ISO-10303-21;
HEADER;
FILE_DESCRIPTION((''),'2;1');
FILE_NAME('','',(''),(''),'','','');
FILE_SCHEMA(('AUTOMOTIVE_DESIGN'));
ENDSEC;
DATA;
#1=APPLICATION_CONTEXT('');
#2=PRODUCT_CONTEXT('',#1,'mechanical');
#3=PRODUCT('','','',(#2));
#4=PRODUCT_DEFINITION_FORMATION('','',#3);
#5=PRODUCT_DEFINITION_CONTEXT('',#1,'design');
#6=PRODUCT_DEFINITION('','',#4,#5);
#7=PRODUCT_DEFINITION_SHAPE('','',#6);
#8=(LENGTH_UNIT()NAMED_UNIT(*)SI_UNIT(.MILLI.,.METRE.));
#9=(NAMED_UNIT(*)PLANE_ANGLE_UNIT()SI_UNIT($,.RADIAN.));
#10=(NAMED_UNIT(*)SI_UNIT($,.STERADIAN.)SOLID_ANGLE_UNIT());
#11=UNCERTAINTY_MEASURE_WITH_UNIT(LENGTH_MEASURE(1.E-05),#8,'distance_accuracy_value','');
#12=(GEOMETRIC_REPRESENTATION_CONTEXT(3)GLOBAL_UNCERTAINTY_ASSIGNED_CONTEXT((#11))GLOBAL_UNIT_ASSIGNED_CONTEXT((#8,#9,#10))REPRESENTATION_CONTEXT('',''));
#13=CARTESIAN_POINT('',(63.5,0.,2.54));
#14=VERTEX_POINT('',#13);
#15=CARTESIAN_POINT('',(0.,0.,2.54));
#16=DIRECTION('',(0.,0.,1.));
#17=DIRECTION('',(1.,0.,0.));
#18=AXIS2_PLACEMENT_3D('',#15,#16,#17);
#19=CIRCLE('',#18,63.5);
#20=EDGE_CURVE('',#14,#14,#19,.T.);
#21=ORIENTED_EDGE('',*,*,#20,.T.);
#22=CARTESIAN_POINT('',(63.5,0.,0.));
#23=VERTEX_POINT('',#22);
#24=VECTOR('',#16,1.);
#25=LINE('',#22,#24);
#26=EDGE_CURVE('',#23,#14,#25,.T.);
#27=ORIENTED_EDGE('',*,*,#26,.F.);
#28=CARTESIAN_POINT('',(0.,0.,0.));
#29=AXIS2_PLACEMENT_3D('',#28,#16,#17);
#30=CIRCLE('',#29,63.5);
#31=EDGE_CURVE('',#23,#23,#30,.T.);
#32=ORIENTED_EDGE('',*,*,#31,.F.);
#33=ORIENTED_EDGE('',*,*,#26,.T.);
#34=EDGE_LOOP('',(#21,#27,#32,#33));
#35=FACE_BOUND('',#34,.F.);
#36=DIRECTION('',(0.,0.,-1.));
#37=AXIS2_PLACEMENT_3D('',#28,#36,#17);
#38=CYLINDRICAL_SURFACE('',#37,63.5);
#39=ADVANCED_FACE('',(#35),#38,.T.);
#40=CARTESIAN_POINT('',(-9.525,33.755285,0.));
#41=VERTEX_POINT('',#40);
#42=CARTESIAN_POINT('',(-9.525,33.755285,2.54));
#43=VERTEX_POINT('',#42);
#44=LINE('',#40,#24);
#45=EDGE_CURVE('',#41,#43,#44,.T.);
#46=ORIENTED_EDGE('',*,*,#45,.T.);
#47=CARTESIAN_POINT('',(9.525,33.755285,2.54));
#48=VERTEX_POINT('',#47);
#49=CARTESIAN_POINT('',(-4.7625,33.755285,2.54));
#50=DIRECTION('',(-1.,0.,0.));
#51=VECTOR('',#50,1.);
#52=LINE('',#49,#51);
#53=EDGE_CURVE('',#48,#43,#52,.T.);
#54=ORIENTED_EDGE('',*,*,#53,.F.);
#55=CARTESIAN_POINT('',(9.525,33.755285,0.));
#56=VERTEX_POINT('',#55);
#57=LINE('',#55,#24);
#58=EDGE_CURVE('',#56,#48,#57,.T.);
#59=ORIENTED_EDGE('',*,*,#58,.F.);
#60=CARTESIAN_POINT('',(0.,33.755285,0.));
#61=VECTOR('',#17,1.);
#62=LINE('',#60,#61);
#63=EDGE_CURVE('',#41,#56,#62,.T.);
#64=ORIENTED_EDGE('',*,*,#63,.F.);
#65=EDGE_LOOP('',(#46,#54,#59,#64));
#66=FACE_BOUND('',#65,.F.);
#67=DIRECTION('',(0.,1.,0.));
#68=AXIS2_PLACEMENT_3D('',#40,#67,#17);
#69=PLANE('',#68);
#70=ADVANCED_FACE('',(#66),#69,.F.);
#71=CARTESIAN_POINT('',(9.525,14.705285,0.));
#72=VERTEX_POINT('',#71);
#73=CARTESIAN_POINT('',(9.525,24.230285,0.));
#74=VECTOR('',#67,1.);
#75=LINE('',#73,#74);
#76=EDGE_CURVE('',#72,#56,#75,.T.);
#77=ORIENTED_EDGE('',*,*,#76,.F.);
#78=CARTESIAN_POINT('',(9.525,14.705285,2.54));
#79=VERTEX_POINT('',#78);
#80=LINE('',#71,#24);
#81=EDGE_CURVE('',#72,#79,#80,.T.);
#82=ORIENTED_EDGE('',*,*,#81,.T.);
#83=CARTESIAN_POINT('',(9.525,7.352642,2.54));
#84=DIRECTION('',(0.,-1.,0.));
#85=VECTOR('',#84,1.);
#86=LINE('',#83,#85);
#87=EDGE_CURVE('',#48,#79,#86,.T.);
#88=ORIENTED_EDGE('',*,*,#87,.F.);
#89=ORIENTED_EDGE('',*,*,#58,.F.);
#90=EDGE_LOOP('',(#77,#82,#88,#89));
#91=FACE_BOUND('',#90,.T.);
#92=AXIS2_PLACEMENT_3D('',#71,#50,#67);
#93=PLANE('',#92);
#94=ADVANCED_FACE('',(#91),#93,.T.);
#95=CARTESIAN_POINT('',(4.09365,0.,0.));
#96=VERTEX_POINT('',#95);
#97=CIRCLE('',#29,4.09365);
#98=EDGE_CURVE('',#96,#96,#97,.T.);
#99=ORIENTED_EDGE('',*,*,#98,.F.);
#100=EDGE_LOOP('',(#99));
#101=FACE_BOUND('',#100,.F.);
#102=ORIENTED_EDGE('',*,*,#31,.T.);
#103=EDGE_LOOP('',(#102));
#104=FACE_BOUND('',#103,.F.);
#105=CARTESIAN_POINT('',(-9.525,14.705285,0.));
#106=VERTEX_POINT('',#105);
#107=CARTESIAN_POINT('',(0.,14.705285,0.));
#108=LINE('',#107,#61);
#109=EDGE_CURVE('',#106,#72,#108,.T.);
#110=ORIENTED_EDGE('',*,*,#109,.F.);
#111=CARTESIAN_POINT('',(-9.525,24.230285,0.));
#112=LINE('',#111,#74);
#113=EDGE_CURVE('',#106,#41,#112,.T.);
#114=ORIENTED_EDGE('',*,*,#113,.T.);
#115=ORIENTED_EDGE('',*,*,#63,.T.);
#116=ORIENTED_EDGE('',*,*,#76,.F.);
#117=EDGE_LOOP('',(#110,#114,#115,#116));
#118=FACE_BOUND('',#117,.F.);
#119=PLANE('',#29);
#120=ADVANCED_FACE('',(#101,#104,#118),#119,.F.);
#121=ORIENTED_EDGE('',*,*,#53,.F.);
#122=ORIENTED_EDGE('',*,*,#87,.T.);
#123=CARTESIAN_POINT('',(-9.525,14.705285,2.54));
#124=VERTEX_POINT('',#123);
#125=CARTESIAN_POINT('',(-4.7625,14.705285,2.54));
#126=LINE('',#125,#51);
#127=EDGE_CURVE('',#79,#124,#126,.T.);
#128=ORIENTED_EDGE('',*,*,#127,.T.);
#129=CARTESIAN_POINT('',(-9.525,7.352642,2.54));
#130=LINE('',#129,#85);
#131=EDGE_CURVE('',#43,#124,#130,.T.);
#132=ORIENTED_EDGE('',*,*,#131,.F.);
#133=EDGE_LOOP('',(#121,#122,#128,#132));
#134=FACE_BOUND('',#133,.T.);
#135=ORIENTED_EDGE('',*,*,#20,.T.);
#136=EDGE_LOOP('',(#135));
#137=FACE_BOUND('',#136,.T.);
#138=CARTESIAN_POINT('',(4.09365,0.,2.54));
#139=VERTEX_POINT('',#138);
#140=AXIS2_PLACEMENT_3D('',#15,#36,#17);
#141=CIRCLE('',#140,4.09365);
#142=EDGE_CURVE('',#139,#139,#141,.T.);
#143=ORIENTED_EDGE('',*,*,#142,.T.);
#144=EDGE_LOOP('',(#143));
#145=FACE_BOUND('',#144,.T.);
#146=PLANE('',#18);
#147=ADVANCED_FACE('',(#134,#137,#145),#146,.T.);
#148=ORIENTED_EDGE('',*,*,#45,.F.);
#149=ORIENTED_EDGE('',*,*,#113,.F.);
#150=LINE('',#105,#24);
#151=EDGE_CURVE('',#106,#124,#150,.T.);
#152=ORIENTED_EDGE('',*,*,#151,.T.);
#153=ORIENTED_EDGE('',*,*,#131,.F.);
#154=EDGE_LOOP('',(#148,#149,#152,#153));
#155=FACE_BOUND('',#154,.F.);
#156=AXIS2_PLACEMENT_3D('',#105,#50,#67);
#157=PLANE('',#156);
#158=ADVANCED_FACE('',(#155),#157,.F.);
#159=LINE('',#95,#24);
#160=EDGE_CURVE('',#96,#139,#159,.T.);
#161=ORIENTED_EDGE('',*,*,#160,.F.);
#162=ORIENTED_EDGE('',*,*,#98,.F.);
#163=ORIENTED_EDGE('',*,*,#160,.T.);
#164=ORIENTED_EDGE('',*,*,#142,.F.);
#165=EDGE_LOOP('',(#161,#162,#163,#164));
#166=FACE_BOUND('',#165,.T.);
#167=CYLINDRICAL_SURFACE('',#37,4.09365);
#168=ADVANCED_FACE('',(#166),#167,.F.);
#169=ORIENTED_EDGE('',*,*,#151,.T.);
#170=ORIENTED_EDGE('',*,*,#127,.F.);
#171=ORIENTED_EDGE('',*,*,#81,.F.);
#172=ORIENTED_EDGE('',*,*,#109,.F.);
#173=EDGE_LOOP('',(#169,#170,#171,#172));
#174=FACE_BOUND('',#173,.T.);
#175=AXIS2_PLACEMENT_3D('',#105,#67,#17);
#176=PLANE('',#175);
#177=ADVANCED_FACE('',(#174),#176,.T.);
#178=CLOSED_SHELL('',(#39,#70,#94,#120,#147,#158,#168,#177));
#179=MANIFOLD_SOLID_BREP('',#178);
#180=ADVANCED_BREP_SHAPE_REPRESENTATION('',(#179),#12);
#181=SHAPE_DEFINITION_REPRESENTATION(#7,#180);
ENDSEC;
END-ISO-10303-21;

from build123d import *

# Parameters (mm, degrees)
F0_R     = 63.5
F1_DEPTH = 2.54
F2_R     = 4.09365
F3_DEPTH = 25.4
F4_DEPTH = 25.4
F5_W     = 19.05
F5_H     = 19.05
F6_DEPTH = 25.4


with BuildPart() as f1:
    # F0 (on Top) → F1 (new body)
    with BuildSketch(Plane.XY):
        Circle(F0_R)
    extrude(amount=F1_DEPTH)

    # F2 (on Top) → F3 (cut)
    with BuildSketch(Plane.XY):
        Circle(F2_R)
    extrude(amount=-F3_DEPTH, mode=Mode.SUBTRACT)

    # F2 (on Top) → F4 (cut)
    with BuildSketch(Plane.XY):
        Circle(F2_R)
    extrude(amount=F4_DEPTH, mode=Mode.SUBTRACT)

    # F5 (on Top) → F6 (cut)
    with BuildSketch(Plane.XY):
        with Locations((0, 24.230285)):
            Rectangle(F5_W, F5_H)
    extrude(amount=F6_DEPTH, mode=Mode.SUBTRACT)


solid = f1.part
